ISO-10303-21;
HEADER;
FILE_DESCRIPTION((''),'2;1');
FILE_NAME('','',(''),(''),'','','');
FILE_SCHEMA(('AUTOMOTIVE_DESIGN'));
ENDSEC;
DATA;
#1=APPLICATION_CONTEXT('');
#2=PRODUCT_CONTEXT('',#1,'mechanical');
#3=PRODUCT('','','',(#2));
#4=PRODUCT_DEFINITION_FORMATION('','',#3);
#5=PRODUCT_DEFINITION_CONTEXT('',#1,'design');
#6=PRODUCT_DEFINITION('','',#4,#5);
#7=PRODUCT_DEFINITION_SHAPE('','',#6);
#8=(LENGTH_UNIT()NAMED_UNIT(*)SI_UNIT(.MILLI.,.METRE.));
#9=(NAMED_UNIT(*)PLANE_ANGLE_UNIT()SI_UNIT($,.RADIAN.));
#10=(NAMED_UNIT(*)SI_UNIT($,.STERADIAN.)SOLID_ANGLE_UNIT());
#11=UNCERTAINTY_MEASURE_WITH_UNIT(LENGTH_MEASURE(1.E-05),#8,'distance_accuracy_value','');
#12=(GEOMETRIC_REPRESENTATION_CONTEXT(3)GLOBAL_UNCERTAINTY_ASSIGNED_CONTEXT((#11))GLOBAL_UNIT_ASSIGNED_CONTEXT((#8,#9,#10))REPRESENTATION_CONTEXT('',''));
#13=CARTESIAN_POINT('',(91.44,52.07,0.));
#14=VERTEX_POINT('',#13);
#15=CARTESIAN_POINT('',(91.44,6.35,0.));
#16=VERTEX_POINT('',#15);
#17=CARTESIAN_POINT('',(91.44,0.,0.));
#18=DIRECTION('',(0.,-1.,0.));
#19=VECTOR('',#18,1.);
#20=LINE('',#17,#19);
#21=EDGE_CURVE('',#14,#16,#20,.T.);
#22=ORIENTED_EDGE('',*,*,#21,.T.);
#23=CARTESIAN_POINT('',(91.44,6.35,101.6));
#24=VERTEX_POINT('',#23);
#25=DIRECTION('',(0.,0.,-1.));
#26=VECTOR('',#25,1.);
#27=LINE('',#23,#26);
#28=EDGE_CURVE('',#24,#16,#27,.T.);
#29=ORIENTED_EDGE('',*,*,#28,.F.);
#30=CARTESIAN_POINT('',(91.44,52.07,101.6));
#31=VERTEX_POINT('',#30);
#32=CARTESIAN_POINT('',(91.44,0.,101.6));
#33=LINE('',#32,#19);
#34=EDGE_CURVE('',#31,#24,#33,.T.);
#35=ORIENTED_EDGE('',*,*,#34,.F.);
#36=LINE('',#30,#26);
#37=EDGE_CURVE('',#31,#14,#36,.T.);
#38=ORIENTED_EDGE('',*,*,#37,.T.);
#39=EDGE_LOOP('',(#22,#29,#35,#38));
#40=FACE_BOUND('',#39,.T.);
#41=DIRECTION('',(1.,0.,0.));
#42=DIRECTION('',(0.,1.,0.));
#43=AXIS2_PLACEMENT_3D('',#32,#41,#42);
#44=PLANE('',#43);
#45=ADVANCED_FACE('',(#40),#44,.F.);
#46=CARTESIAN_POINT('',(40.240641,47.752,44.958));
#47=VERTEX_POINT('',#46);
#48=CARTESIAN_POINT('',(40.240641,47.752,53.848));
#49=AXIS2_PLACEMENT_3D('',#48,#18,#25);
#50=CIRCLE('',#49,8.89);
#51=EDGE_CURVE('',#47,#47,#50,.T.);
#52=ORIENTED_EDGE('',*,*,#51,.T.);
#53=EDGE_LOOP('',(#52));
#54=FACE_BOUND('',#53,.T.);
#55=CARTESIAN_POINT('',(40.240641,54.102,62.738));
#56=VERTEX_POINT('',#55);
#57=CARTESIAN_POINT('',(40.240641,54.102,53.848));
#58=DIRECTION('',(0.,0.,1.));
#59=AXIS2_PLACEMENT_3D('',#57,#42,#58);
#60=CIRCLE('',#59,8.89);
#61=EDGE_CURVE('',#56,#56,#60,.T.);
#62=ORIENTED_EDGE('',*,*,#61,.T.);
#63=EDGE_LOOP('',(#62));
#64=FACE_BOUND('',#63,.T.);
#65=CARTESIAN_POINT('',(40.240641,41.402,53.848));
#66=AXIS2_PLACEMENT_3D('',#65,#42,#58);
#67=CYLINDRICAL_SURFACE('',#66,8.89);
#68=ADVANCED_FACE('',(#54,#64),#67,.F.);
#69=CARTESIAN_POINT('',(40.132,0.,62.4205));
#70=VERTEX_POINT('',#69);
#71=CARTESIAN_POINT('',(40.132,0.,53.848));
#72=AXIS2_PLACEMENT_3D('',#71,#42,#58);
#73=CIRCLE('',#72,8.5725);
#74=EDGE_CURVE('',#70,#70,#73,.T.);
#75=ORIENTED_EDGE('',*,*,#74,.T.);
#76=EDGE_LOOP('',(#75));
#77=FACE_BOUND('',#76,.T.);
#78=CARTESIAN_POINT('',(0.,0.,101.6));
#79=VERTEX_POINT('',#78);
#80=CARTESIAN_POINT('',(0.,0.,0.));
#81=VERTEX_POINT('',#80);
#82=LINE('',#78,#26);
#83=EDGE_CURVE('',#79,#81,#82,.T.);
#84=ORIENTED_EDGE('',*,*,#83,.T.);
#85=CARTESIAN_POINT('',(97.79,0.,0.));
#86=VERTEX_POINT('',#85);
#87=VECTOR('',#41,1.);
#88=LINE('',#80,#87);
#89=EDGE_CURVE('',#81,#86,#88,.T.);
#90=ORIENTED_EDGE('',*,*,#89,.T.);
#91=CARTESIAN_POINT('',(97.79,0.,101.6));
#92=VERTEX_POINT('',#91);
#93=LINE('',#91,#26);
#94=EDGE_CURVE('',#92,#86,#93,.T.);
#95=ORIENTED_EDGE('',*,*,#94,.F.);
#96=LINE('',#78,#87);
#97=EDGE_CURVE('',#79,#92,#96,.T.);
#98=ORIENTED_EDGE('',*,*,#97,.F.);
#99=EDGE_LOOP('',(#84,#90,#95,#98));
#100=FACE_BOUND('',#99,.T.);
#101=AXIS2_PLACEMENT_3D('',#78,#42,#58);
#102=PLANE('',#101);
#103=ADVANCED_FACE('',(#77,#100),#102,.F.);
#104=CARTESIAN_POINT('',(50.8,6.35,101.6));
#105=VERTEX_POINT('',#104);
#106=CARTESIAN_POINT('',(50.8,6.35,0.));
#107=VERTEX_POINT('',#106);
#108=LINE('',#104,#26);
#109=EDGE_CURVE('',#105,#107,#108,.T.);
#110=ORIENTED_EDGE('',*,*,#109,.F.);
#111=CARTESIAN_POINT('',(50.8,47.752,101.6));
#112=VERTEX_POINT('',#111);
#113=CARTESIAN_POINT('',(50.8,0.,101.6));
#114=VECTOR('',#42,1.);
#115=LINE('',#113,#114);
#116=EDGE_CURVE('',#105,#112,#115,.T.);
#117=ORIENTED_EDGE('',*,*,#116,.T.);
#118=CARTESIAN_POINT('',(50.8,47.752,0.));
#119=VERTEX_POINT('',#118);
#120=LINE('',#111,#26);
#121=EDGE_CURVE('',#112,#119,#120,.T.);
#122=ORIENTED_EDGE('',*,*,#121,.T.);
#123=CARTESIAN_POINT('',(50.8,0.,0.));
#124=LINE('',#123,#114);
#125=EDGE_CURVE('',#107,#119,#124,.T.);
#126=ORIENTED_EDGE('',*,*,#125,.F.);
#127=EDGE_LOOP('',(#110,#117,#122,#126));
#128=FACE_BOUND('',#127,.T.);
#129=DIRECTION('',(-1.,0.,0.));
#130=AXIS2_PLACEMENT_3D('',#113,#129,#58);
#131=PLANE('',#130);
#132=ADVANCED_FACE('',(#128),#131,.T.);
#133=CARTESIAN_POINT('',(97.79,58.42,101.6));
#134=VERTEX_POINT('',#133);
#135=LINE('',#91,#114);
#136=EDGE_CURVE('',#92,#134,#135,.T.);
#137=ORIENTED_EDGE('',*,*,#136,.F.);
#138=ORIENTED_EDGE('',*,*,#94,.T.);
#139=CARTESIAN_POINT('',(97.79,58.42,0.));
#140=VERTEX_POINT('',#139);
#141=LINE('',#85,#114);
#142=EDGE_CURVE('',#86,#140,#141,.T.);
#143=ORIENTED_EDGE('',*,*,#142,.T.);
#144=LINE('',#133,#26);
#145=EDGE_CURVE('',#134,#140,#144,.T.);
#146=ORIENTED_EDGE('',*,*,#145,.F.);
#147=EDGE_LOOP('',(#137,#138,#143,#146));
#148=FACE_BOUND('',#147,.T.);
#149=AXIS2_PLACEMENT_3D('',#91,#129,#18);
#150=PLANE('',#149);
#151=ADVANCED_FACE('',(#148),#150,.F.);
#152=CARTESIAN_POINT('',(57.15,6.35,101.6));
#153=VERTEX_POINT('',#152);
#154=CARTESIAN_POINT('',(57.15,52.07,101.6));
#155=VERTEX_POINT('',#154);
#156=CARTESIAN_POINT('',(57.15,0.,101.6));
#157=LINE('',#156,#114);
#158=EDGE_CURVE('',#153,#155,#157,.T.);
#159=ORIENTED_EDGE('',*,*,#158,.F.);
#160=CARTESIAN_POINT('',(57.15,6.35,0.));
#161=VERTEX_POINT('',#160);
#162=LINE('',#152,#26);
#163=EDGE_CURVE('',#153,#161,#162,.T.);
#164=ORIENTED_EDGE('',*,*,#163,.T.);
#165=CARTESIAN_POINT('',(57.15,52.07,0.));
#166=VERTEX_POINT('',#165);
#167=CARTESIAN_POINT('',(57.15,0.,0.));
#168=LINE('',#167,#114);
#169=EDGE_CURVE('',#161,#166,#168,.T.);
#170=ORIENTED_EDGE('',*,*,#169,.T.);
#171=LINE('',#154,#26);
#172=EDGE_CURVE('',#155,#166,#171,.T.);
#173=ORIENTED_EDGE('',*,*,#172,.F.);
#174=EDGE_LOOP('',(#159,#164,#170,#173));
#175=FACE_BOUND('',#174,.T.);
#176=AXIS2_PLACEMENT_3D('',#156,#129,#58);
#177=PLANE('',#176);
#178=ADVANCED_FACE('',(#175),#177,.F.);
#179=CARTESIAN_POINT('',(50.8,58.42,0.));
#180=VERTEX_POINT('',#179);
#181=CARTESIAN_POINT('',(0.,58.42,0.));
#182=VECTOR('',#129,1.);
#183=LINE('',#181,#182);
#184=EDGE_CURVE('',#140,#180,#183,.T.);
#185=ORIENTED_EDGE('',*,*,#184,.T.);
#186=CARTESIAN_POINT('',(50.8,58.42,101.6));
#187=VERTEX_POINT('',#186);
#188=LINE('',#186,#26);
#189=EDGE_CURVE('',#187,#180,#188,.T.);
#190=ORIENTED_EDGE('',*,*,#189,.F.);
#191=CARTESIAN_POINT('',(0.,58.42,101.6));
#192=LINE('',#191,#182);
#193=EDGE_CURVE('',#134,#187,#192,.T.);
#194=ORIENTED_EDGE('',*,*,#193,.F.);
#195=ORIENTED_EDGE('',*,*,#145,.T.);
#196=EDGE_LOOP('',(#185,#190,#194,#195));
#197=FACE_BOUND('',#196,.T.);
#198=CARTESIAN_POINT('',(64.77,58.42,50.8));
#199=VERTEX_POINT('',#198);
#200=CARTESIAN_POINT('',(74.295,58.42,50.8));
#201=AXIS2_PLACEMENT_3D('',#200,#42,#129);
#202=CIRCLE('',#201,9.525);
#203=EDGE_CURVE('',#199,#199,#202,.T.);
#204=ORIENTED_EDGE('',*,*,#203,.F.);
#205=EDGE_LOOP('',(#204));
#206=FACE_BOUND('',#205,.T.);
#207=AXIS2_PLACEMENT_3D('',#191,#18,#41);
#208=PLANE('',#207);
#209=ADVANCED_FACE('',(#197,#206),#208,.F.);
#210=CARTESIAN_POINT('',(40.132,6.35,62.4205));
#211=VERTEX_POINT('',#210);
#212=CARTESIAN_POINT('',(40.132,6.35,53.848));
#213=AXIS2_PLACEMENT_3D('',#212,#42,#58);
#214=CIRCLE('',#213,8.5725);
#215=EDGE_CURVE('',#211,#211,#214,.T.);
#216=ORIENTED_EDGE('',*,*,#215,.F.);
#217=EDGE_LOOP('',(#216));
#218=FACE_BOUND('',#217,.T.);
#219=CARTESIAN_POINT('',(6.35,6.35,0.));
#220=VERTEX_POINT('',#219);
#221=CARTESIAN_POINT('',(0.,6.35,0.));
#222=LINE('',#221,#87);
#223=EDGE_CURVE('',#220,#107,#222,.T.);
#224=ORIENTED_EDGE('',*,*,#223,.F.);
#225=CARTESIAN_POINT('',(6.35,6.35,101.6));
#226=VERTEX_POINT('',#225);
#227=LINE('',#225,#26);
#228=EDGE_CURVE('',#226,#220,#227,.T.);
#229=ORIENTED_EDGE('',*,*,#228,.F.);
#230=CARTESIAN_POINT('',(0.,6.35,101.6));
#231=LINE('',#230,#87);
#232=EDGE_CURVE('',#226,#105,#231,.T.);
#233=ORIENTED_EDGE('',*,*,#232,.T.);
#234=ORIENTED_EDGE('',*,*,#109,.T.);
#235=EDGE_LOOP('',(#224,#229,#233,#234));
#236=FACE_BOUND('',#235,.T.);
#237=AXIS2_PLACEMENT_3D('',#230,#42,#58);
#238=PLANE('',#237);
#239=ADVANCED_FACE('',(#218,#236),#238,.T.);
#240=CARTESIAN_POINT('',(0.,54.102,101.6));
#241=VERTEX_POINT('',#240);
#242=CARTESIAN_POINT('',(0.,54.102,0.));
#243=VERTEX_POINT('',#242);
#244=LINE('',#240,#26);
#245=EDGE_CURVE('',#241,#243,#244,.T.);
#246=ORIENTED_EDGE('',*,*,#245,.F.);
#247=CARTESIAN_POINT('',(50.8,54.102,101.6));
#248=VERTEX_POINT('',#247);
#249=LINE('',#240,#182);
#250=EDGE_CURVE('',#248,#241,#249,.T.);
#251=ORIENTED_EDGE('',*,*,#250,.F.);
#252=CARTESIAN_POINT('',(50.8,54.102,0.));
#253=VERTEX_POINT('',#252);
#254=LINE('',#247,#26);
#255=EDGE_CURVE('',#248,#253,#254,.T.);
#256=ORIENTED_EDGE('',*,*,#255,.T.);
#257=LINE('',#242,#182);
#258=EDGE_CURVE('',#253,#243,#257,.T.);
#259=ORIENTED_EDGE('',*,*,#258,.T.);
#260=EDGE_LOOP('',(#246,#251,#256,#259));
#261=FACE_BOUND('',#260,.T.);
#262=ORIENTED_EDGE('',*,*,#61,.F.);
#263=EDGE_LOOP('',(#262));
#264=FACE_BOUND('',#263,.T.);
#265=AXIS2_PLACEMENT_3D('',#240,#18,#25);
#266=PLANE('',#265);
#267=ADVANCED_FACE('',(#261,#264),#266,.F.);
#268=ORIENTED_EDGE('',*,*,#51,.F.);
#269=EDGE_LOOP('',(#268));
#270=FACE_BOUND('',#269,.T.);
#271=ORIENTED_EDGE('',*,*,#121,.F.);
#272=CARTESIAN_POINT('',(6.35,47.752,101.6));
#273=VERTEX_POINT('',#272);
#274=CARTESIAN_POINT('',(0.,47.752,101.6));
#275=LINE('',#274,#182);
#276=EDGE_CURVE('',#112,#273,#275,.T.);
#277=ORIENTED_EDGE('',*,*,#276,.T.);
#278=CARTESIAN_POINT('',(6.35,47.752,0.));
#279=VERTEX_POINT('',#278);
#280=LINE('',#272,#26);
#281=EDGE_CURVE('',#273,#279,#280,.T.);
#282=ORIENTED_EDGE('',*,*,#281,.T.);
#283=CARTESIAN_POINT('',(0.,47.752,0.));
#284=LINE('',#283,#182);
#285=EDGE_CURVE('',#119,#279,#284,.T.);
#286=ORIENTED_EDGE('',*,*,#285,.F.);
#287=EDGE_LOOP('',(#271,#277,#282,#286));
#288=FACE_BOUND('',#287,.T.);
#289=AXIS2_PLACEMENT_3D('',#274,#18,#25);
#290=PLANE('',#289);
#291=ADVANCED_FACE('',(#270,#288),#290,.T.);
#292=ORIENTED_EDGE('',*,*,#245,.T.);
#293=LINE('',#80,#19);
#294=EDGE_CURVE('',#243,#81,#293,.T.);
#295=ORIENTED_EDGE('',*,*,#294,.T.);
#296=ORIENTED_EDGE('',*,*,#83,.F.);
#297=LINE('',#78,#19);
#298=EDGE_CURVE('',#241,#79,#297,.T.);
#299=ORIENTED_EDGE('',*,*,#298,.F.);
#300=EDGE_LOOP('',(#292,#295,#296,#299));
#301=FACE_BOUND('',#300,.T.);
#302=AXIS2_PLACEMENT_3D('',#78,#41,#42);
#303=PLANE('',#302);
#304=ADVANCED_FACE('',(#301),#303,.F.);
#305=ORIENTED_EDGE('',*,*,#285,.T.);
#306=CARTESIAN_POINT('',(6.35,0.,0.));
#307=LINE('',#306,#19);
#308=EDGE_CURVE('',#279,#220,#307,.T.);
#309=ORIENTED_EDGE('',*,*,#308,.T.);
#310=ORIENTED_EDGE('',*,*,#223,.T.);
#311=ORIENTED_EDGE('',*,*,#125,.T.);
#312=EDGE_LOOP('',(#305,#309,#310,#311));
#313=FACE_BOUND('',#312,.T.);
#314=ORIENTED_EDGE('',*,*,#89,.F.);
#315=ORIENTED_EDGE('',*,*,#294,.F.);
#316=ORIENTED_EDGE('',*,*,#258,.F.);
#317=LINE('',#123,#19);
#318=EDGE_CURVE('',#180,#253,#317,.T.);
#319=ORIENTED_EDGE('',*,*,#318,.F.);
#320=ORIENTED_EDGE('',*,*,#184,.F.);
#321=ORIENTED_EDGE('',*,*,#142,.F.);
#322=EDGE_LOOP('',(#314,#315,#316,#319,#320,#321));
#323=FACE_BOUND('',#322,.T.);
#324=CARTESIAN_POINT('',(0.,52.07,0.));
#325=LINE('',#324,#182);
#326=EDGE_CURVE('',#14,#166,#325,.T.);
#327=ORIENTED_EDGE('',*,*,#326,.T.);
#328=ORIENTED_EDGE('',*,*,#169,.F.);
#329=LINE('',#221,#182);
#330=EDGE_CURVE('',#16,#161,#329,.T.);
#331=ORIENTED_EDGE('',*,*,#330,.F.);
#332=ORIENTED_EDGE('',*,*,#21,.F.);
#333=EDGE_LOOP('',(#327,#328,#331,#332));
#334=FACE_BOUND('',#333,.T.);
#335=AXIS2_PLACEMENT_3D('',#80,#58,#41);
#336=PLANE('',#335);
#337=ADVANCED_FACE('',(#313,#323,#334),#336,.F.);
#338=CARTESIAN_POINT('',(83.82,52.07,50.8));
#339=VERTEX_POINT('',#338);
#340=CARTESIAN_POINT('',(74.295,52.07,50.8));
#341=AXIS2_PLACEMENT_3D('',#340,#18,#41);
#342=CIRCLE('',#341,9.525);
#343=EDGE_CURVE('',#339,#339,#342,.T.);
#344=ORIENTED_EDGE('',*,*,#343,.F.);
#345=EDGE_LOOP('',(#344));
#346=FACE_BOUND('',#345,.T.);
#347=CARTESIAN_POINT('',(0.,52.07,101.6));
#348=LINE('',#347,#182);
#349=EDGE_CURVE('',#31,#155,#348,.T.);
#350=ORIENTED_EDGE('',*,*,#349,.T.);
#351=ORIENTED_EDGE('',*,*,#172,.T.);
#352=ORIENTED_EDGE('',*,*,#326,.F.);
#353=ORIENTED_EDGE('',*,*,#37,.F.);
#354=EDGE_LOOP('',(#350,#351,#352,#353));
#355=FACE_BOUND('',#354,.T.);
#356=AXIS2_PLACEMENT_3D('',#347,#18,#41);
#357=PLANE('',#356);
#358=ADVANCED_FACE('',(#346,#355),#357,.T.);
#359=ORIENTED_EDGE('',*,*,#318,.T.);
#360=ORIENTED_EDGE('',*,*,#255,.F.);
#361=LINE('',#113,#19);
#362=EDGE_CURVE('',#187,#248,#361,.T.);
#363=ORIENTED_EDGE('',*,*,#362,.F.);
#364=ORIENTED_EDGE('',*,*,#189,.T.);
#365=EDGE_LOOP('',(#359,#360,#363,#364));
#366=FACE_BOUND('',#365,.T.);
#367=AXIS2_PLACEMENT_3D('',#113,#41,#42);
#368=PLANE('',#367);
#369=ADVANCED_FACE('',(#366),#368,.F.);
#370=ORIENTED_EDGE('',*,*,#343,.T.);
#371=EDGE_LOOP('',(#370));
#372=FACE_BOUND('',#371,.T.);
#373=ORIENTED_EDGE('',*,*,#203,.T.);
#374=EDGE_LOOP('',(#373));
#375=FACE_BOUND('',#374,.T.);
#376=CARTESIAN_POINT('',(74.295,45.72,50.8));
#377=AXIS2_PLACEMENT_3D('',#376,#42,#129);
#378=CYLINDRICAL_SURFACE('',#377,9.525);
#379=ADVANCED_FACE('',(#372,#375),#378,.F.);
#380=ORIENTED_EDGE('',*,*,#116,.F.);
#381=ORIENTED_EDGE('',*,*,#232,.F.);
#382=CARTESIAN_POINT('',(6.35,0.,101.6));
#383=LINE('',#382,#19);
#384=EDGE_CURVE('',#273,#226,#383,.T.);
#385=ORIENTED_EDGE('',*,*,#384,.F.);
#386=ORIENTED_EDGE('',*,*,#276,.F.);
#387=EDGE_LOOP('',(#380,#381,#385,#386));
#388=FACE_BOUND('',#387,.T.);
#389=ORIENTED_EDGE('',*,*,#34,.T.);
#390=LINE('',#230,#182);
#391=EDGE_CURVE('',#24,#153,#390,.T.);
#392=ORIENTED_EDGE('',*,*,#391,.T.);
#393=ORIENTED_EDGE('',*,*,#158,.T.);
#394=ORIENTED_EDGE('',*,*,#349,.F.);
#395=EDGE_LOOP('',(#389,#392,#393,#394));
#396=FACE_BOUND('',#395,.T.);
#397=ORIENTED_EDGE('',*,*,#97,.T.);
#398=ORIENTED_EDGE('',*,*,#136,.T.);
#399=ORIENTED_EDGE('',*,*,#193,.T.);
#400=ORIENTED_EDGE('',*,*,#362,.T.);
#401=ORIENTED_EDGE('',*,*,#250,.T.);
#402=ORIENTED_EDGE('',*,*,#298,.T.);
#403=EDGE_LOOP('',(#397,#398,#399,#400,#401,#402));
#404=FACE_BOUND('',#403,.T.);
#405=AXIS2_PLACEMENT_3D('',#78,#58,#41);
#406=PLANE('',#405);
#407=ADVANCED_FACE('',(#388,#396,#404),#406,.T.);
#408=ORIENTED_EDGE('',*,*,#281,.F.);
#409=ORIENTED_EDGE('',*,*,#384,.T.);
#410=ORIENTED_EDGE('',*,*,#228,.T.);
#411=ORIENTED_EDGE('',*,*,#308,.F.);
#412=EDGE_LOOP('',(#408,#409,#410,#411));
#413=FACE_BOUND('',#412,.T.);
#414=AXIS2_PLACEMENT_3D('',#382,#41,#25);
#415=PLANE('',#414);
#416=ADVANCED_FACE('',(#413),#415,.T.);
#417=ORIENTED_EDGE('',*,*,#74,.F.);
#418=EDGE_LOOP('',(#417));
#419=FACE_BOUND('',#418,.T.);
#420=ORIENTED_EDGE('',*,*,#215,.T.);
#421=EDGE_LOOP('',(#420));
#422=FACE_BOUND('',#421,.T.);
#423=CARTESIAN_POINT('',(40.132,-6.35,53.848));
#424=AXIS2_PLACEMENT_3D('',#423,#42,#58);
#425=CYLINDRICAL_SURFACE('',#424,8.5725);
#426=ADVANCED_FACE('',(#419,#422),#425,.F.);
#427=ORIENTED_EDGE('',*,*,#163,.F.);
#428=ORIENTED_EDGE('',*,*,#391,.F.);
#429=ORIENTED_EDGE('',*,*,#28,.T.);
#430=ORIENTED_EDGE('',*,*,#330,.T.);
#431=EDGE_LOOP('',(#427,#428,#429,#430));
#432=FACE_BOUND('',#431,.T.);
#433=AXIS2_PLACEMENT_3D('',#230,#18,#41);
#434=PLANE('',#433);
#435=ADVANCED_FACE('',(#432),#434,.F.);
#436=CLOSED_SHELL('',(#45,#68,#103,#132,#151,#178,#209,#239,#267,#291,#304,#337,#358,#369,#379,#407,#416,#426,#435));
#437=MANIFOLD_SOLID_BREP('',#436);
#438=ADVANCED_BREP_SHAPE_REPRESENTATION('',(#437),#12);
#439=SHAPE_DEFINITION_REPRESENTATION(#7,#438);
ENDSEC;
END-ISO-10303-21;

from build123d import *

# Parameters (mm, degrees)
SKETCH1_W           = 44.45
SKETCH1_H           = 41.402
SKETCH1_W_2         = 34.29
SKETCH1_H_2         = 45.72
BOSS_EXTRUDE1_DEPTH = 101.6
SKETCH2_R           = 9.525
CUT_EXTRUDE1_DEPTH  = 12.7
SKETCH3_R           = 8.89
CUT_EXTRUDE2_DEPTH  = 12.7
SKETCH4_R           = 8.5725
CUT_EXTRUDE3_DEPTH  = 12.7


with BuildPart() as part:
    # Sketch1 → Boss-Extrude1 (new body)
    with BuildSketch(Plane.XY):
        Polygon((0, 0), (97.79, 0), (97.79, 58.42), (50.8, 58.42), (50.8, 54.102), (0, 54.102), align=None)
        with Locations((28.575, 27.051)):
            Rectangle(SKETCH1_W, SKETCH1_H, mode=Mode.SUBTRACT)
        with Locations((74.295, 29.21)):
            Rectangle(SKETCH1_W_2, SKETCH1_H_2, mode=Mode.SUBTRACT)
    extrude(amount=BOSS_EXTRUDE1_DEPTH)

    # Sketch2 → Cut-Extrude1 (cut)
    with BuildSketch(Plane(origin=(0, 58.42, 0), x_dir=(1, 0, 0), z_dir=(0, 1, 0))):
        with Locations(Location((74.295, -50.8, 0), (0, 0, 180))):
            Circle(SKETCH2_R)
    extrude(amount=-CUT_EXTRUDE1_DEPTH, mode=Mode.SUBTRACT)

    # Sketch3 → Cut-Extrude2 (cut)
    with BuildSketch(Plane(origin=(0, 54.102, 0), x_dir=(1, 0, 0), z_dir=(0, 1, 0))):
        with Locations(Location((40.240640863, -53.848, 0), (0, 0, 270))):
            Circle(SKETCH3_R)
    extrude(amount=-CUT_EXTRUDE2_DEPTH, mode=Mode.SUBTRACT)

    # Sketch4 → Cut-Extrude3 (cut)
    with BuildSketch(Plane(origin=(0, 6.35, 0), x_dir=(1, 0, 0), z_dir=(0, 1, 0))):
        with Locations(Location((40.132, -53.848, 0), (0, 0, 270))):
            Circle(SKETCH4_R)
    extrude(amount=-CUT_EXTRUDE3_DEPTH, mode=Mode.SUBTRACT)


solid = part.part
